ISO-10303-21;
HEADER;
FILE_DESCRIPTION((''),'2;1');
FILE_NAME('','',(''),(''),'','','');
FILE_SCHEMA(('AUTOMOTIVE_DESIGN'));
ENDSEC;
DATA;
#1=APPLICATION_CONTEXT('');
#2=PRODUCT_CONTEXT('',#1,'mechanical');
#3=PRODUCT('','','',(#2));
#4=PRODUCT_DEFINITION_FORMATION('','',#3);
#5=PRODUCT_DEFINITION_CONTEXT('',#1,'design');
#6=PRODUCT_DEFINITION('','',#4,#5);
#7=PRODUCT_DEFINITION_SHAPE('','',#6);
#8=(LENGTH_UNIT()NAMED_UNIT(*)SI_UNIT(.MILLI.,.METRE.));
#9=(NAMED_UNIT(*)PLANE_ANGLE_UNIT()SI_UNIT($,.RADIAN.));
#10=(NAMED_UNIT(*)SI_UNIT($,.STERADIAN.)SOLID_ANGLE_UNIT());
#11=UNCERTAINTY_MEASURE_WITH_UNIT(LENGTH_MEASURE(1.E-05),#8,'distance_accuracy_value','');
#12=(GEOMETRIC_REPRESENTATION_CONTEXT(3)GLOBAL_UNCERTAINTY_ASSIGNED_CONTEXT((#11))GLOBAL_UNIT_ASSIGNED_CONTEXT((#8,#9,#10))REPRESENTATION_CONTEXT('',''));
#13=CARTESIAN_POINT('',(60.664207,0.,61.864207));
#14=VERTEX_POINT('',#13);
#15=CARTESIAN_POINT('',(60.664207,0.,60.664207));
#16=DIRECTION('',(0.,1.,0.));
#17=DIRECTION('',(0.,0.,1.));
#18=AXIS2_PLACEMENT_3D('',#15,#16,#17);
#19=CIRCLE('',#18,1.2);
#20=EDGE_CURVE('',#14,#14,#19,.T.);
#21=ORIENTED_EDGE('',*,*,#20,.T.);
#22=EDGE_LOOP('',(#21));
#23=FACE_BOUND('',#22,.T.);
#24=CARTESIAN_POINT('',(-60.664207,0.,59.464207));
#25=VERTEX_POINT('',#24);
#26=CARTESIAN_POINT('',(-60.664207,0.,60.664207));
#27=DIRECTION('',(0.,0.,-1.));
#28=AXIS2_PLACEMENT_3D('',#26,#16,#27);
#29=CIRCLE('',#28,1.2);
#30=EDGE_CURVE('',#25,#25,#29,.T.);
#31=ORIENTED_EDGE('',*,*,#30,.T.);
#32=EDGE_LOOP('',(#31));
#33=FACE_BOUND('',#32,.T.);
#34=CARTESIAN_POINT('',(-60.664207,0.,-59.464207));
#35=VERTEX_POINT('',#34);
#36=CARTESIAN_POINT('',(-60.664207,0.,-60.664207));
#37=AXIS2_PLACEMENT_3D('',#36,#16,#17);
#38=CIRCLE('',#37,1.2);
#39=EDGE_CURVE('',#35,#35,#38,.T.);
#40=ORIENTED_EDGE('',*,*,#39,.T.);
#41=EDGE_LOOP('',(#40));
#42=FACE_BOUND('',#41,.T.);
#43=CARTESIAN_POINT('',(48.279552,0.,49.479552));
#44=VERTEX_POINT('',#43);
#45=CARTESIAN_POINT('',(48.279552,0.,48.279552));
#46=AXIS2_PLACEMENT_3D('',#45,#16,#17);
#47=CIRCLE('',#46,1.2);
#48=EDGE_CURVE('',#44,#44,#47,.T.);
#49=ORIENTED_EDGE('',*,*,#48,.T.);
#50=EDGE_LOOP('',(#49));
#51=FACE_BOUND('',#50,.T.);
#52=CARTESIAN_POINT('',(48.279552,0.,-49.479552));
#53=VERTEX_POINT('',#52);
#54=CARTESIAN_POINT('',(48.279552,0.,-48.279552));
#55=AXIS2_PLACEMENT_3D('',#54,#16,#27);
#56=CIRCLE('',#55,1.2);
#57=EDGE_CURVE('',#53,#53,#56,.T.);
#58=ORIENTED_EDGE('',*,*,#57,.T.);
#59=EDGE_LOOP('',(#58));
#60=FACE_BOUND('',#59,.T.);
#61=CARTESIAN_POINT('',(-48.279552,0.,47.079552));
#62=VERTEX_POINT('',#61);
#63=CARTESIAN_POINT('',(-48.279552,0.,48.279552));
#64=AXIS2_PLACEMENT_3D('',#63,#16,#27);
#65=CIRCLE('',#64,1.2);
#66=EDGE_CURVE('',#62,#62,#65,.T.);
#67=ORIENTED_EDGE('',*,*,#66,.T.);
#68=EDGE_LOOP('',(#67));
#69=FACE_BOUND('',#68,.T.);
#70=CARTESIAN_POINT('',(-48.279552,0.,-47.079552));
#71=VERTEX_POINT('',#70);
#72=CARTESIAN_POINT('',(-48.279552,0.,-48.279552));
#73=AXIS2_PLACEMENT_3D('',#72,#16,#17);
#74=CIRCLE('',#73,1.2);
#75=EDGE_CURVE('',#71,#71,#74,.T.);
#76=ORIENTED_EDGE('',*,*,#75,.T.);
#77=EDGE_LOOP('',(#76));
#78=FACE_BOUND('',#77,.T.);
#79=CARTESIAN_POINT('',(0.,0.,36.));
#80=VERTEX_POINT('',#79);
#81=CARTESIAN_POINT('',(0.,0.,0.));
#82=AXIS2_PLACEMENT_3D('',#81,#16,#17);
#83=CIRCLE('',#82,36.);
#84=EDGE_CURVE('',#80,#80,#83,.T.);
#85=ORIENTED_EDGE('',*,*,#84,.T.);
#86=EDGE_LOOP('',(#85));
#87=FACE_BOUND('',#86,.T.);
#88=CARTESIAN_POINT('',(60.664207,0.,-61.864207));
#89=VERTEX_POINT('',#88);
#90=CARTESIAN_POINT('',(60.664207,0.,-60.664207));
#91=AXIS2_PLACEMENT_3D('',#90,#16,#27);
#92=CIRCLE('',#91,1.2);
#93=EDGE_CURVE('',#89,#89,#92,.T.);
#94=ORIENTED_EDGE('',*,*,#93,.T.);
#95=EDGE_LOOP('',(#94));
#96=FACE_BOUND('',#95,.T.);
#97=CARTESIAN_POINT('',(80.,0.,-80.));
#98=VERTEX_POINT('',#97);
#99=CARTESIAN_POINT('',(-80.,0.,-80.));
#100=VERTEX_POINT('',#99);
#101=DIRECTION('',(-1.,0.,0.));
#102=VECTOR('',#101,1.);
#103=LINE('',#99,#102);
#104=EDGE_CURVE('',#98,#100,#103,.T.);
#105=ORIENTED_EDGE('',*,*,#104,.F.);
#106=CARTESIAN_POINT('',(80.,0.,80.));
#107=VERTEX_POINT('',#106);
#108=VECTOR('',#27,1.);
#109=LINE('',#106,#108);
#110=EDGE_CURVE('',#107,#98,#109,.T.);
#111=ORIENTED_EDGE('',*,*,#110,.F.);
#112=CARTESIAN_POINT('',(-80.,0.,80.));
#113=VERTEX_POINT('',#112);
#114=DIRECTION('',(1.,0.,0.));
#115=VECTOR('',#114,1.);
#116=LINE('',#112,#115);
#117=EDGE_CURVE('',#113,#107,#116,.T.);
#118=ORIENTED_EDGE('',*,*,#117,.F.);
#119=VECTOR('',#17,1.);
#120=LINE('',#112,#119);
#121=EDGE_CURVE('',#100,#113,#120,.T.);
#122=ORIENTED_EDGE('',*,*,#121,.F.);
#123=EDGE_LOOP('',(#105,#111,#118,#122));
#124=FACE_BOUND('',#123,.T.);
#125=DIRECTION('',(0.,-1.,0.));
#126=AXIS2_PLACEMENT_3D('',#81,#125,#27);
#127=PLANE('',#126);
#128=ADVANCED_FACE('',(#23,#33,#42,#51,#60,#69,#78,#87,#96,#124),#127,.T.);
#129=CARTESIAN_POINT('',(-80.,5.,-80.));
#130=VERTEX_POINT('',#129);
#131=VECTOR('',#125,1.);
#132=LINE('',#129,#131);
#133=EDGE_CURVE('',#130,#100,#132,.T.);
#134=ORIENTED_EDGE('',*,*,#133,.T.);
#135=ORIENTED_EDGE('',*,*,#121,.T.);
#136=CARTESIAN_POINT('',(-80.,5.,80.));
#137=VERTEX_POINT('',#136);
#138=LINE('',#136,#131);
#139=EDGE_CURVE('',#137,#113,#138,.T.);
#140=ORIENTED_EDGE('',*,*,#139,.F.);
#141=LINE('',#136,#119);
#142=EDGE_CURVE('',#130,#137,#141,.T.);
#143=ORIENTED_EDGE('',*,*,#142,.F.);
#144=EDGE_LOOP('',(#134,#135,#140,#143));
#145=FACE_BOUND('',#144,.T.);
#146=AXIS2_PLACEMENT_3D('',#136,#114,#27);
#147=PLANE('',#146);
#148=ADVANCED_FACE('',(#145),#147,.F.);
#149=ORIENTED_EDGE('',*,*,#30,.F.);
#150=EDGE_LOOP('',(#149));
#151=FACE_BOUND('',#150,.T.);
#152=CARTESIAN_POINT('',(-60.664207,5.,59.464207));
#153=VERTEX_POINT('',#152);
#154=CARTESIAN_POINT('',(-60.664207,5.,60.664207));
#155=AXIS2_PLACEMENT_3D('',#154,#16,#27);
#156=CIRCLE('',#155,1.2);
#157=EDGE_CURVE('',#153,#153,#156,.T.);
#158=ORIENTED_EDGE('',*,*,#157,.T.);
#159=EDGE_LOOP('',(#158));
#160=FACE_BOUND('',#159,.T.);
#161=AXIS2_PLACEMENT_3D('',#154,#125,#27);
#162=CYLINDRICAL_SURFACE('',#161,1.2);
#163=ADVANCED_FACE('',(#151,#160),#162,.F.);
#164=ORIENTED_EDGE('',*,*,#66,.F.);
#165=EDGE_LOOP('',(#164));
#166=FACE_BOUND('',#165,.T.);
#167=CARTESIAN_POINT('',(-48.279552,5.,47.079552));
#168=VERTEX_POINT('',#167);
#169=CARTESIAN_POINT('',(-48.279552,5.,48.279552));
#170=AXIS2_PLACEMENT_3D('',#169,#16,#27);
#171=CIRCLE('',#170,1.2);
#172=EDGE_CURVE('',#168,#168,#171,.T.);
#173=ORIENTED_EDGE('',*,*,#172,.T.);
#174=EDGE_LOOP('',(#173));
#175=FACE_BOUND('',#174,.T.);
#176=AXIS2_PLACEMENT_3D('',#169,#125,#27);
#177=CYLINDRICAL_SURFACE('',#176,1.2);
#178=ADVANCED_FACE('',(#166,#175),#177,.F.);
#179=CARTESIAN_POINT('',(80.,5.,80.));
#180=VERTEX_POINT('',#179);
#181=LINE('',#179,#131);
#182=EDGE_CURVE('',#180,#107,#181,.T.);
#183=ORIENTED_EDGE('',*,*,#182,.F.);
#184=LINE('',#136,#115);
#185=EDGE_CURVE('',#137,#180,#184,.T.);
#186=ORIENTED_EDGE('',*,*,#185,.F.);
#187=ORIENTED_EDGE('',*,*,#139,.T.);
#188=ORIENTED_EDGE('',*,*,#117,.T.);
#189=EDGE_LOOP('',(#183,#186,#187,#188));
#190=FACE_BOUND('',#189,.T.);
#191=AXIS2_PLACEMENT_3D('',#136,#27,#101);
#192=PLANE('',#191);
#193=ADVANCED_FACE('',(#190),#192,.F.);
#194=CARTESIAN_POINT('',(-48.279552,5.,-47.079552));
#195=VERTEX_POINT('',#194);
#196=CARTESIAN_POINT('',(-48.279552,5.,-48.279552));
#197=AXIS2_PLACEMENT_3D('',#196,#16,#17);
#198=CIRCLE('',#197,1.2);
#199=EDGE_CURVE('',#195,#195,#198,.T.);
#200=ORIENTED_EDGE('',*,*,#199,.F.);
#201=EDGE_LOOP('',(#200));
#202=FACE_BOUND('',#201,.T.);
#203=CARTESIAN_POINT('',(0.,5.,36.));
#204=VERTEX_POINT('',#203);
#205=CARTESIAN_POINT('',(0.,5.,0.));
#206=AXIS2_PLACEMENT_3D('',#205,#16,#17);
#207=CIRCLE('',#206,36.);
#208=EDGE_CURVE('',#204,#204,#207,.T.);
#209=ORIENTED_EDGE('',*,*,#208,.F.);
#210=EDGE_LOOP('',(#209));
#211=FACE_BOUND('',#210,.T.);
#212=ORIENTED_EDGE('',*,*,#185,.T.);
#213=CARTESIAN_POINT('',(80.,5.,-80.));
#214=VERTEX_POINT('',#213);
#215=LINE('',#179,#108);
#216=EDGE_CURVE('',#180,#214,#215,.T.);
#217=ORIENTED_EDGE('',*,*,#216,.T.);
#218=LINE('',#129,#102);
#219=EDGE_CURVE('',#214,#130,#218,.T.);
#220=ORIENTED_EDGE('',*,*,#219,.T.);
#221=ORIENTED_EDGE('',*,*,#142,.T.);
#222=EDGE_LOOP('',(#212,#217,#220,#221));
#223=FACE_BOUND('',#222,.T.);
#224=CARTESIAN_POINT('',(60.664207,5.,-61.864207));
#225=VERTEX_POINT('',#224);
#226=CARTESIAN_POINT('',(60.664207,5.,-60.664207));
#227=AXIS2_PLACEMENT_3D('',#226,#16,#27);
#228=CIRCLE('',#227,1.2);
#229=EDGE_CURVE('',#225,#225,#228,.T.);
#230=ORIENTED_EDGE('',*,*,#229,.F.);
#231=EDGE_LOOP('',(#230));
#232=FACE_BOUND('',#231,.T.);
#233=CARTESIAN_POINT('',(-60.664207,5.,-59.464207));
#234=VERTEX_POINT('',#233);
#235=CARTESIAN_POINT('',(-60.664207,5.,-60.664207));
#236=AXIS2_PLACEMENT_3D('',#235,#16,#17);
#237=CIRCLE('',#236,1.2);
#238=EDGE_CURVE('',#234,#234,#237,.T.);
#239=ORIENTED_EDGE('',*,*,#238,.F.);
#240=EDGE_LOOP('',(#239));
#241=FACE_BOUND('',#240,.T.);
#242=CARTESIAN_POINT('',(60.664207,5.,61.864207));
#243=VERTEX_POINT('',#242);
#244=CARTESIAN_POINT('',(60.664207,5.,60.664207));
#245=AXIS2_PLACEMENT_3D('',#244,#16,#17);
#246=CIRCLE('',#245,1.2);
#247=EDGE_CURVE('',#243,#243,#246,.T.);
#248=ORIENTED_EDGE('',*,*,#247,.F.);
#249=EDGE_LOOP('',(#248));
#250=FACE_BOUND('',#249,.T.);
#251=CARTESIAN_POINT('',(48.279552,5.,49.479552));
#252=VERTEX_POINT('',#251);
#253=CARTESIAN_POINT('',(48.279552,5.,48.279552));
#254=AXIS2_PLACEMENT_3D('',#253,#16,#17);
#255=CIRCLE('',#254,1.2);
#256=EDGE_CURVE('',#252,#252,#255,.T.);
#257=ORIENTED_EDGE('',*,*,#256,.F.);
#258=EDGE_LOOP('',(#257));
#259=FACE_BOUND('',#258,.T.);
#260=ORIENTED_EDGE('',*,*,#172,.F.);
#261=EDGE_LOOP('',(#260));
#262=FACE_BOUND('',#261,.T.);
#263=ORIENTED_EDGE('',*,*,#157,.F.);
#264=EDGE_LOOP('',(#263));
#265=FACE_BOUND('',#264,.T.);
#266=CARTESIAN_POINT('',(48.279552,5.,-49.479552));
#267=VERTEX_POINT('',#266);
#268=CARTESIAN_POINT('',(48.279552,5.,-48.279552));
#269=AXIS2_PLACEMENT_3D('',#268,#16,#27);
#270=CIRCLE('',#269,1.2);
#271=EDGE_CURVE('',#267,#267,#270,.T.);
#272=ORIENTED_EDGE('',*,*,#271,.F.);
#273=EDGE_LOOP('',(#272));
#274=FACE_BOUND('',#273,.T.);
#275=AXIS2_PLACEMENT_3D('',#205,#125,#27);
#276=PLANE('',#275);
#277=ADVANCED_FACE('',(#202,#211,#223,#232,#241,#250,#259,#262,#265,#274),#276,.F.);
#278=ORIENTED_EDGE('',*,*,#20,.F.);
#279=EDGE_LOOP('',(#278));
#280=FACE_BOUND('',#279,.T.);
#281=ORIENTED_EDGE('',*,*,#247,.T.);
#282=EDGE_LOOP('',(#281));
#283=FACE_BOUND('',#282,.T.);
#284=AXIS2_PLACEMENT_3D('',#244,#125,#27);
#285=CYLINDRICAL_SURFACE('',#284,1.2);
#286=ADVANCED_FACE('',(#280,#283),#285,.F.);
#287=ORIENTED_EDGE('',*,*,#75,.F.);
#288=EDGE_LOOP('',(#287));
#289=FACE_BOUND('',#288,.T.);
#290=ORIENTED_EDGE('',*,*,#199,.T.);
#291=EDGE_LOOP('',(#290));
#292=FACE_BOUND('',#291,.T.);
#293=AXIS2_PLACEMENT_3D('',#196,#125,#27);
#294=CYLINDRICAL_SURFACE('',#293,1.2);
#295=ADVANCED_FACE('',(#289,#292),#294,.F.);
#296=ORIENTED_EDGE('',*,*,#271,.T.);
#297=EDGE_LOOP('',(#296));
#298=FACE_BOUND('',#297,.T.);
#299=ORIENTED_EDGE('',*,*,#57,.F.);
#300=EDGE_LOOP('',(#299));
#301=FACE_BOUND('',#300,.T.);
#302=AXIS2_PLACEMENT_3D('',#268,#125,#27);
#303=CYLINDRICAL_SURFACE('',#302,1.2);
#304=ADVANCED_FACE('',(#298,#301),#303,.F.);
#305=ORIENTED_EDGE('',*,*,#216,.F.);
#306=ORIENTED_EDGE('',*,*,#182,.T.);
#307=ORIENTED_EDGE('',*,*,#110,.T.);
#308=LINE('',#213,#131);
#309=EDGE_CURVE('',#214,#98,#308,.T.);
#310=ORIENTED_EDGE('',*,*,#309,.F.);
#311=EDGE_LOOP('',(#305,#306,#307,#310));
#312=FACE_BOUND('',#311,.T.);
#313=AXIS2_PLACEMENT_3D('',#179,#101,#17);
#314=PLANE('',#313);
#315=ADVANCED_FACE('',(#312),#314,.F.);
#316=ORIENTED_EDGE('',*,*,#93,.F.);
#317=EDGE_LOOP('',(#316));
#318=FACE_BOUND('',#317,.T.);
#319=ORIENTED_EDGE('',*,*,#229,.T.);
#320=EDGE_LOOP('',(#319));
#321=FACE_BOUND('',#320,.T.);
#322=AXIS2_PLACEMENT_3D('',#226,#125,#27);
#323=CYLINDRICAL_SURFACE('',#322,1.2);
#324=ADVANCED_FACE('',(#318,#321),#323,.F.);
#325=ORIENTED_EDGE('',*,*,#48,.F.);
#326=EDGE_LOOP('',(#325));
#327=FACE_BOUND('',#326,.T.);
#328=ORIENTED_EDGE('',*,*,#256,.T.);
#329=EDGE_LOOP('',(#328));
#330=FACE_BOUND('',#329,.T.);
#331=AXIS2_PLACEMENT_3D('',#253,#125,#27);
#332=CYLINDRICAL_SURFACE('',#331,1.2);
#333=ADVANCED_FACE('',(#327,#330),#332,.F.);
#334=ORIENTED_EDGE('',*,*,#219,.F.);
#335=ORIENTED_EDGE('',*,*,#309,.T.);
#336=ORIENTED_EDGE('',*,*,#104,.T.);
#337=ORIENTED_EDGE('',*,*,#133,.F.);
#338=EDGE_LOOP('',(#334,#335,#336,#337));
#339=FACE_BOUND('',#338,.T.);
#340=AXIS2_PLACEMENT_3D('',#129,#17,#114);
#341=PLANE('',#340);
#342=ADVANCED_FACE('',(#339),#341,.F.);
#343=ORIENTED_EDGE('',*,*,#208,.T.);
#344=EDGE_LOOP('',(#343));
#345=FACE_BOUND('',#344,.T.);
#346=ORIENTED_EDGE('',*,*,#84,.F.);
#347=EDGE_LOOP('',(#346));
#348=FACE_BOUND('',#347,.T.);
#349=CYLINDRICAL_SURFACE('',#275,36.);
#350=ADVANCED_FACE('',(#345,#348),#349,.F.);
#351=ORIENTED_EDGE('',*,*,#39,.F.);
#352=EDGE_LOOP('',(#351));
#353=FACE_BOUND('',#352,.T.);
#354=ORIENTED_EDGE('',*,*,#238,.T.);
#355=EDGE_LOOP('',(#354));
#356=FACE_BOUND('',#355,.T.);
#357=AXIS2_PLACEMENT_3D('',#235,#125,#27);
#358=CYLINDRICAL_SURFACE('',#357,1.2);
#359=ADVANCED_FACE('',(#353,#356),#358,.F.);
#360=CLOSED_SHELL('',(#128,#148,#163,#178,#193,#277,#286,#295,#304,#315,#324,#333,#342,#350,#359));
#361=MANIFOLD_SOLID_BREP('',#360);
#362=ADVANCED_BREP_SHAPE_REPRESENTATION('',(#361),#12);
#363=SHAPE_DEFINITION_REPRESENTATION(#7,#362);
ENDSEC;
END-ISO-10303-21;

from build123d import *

# Parameters (mm, degrees)
SKETCH1_W           = 160
SKETCH1_H           = 160
SKETCH1_R           = 1.2
SKETCH1_R_2         = 36
BOSS_EXTRUDE1_DEPTH = 5


with BuildPart() as part:
    # Sketch1 → Boss-Extrude1 (new body)
    with BuildSketch(Plane(origin=(0, 0, 0), x_dir=(1, 0, 0), z_dir=(0, 1, 0))):
        Rectangle(SKETCH1_W, SKETCH1_H)
        with Locations(Location((-60.664206642, 60.664206642, 0), (0, 0, 270))):
            Circle(SKETCH1_R, mode=Mode.SUBTRACT)
        with Locations(Location((-48.279552135, 48.279552135, 0), (0, 0, 270))):
            Circle(SKETCH1_R, mode=Mode.SUBTRACT)
        with Locations(Location((48.279552135, 48.279552135, 0), (0, 0, 90))):
            Circle(SKETCH1_R, mode=Mode.SUBTRACT)
        with Locations(Location((60.664206642, 60.664206642, 0), (0, 0, 90))):
            Circle(SKETCH1_R, mode=Mode.SUBTRACT)
        with Locations(Location((60.664206642, -60.664206642, 0), (0, 0, 270))):
            Circle(SKETCH1_R, mode=Mode.SUBTRACT)
        with Locations(Location((48.279552135, -48.279552135, 0), (0, 0, 270))):
            Circle(SKETCH1_R, mode=Mode.SUBTRACT)
        with Locations(Location((-48.279552135, -48.279552135, 0), (0, 0, 90))):
            Circle(SKETCH1_R, mode=Mode.SUBTRACT)
        with Locations(Location((-60.664206642, -60.664206642, 0), (0, 0, 90))):
            Circle(SKETCH1_R, mode=Mode.SUBTRACT)
        with Locations(Location((0, 0, 0), (0, 0, 270))):
            Circle(SKETCH1_R_2, mode=Mode.SUBTRACT)
    extrude(amount=BOSS_EXTRUDE1_DEPTH)


solid = part.part
